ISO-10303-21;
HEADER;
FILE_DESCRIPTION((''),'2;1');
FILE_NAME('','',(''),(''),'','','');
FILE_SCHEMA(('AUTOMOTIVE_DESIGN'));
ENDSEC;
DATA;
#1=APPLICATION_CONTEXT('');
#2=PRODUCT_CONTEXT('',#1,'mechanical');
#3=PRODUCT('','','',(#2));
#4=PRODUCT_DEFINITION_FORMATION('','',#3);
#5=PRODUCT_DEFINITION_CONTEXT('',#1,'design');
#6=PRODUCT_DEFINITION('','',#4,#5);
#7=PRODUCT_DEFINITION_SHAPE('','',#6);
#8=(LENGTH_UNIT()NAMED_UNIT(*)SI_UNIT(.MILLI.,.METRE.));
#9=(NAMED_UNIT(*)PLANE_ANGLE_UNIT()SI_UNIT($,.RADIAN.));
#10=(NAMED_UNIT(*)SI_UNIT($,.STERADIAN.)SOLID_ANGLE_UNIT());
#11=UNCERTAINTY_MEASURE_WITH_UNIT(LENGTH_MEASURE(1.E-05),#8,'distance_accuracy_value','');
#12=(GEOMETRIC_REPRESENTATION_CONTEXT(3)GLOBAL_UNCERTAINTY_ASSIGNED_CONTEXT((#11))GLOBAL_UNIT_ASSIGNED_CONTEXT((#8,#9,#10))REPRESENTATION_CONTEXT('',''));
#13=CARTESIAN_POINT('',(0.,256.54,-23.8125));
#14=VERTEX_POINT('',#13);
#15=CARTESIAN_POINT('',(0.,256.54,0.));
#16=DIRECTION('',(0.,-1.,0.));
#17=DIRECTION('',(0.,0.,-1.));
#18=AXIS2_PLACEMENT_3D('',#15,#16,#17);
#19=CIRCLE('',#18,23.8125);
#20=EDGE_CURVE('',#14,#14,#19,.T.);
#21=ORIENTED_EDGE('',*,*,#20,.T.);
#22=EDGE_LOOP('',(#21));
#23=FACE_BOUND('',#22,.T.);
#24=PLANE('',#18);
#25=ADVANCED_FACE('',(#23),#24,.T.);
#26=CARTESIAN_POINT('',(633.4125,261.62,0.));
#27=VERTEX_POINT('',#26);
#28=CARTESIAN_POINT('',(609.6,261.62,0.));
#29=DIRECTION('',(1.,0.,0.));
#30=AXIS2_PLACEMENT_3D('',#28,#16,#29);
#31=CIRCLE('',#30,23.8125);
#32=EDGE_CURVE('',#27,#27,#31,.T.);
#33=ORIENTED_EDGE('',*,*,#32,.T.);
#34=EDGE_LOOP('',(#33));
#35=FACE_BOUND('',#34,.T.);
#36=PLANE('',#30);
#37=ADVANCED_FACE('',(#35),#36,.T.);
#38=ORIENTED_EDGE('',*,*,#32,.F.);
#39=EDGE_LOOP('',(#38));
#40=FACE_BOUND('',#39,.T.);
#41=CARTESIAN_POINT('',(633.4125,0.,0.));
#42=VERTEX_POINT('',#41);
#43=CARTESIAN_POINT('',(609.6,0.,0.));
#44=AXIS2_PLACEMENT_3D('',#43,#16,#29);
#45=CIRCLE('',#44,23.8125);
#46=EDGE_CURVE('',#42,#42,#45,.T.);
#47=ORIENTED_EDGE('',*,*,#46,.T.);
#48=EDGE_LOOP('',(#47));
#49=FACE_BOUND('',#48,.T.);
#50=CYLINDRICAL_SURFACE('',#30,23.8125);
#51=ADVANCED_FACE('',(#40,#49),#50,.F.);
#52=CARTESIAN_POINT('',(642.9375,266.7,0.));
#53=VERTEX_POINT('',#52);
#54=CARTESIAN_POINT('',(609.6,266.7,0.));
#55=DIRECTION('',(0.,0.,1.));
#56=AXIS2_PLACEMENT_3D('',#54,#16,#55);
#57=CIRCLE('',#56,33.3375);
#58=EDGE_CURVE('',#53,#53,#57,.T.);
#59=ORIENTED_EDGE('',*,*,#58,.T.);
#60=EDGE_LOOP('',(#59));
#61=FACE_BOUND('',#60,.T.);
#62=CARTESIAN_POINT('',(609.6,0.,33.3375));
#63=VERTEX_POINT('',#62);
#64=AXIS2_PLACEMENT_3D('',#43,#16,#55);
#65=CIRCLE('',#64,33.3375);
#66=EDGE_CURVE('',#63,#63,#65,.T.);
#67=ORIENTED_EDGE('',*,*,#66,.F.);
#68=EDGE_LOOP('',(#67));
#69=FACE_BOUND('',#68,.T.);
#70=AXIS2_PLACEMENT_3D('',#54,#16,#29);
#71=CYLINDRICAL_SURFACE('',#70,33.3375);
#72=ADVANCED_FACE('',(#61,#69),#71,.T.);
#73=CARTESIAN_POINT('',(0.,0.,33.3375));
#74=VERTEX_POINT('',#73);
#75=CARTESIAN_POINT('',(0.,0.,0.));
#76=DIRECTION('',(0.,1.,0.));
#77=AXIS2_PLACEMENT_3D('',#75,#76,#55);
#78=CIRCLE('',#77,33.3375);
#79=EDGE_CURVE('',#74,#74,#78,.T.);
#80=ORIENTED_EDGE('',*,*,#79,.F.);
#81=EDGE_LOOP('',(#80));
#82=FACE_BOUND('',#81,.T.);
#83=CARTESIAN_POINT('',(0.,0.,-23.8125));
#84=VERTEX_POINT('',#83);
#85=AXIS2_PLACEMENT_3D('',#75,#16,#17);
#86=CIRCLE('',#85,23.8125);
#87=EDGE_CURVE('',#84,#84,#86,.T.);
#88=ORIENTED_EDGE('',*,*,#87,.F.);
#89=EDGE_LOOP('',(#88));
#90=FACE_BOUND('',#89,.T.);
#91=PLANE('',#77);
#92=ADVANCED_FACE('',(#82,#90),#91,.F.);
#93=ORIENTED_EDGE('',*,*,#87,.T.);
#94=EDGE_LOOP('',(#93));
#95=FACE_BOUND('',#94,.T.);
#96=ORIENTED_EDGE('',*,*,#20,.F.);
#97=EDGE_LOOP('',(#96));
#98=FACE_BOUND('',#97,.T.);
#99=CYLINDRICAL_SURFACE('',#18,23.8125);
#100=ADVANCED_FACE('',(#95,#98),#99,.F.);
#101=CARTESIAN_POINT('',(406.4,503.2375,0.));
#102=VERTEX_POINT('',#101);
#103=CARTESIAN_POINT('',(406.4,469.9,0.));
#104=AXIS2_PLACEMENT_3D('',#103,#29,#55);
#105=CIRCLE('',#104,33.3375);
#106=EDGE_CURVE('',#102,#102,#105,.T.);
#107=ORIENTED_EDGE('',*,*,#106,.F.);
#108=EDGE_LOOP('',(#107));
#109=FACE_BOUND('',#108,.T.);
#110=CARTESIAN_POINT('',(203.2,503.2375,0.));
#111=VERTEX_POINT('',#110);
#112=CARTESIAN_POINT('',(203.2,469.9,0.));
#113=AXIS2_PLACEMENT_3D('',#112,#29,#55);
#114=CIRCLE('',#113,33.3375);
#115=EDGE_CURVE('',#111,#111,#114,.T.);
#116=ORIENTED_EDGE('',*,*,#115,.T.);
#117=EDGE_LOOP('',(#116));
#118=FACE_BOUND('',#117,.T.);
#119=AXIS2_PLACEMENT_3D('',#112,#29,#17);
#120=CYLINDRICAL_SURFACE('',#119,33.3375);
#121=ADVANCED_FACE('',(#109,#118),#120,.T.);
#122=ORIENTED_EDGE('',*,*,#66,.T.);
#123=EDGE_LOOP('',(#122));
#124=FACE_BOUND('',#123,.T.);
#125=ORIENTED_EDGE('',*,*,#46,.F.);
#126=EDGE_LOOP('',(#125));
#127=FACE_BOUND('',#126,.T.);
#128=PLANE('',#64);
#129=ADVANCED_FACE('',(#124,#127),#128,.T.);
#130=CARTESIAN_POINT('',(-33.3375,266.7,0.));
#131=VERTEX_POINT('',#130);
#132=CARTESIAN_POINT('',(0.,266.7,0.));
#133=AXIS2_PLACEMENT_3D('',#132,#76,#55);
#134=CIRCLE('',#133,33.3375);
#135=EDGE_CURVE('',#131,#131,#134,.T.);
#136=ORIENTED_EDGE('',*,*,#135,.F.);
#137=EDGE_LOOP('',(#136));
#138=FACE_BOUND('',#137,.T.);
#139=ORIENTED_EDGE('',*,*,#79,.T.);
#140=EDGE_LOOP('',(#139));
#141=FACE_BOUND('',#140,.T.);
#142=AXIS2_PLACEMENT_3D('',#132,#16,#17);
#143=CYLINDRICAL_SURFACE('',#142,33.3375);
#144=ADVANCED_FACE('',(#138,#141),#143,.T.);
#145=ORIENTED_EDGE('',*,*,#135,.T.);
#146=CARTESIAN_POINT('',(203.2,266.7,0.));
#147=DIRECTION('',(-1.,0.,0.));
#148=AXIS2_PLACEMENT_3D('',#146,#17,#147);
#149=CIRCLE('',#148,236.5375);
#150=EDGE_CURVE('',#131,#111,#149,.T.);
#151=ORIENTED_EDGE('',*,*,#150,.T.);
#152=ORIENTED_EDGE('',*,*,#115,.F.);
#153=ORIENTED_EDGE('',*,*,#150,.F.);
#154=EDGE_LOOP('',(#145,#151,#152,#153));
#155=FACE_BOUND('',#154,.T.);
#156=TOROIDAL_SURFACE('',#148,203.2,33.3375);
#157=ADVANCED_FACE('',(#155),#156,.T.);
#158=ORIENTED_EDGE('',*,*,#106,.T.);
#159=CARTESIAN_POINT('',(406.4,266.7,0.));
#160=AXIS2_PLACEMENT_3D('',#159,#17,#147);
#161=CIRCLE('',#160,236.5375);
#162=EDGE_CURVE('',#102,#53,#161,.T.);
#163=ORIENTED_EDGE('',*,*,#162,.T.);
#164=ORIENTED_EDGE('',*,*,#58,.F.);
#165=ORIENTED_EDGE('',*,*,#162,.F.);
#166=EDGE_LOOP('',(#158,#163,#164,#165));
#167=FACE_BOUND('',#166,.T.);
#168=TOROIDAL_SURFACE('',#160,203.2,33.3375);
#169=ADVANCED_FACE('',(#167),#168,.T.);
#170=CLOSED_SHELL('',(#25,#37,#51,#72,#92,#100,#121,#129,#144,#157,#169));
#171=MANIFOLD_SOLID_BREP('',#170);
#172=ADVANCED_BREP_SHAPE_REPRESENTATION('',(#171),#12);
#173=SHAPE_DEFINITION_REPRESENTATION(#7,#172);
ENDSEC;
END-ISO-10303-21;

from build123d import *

# Parameters (mm, degrees)
SKETCH2_R          = 33.3375
SKETCH3_R          = 23.8125
CUT_EXTRUDE1_DEPTH = 256.54
SKETCH4_R          = 23.8125
CUT_EXTRUDE2_DEPTH = 261.62


with BuildPart() as part:
    # Sweep1: sweep along a path in Sketch1
    with BuildLine(Plane.XY) as sweep1_path:
        Line((0, 0), (0, 266.7))
        ThreePointArc((0, 266.7), (59.515902063, 410.384097937), (203.2, 469.9))
        Line((203.2, 469.9), (406.4, 469.9))
        ThreePointArc((406.4, 469.9), (550.084097937, 410.384097937), (609.6, 266.7))
        Line((609.6, 266.7), (609.6, 0))
    # Sketch2 → Sweep1 (sweep)
    with BuildSketch(Plane(origin=(0, 0, 0), x_dir=(1, 0, 0), z_dir=(0, 1, 0))):
        Circle(SKETCH2_R)
    sweep(path=sweep1_path.line)

    # Sketch3 → Cut-Extrude1 (cut)
    with BuildSketch(Plane.XZ):
        with Locations(Location((0, 0, 0), (0, 0, 270))):
            Circle(SKETCH3_R)
    extrude(amount=-CUT_EXTRUDE1_DEPTH, mode=Mode.SUBTRACT)

    # Sketch4 → Cut-Extrude2 (cut)
    with BuildSketch(Plane.XZ):
        with Locations((609.6, 0)):
            Circle(SKETCH4_R)
    extrude(amount=-CUT_EXTRUDE2_DEPTH, mode=Mode.SUBTRACT)


solid = part.part
